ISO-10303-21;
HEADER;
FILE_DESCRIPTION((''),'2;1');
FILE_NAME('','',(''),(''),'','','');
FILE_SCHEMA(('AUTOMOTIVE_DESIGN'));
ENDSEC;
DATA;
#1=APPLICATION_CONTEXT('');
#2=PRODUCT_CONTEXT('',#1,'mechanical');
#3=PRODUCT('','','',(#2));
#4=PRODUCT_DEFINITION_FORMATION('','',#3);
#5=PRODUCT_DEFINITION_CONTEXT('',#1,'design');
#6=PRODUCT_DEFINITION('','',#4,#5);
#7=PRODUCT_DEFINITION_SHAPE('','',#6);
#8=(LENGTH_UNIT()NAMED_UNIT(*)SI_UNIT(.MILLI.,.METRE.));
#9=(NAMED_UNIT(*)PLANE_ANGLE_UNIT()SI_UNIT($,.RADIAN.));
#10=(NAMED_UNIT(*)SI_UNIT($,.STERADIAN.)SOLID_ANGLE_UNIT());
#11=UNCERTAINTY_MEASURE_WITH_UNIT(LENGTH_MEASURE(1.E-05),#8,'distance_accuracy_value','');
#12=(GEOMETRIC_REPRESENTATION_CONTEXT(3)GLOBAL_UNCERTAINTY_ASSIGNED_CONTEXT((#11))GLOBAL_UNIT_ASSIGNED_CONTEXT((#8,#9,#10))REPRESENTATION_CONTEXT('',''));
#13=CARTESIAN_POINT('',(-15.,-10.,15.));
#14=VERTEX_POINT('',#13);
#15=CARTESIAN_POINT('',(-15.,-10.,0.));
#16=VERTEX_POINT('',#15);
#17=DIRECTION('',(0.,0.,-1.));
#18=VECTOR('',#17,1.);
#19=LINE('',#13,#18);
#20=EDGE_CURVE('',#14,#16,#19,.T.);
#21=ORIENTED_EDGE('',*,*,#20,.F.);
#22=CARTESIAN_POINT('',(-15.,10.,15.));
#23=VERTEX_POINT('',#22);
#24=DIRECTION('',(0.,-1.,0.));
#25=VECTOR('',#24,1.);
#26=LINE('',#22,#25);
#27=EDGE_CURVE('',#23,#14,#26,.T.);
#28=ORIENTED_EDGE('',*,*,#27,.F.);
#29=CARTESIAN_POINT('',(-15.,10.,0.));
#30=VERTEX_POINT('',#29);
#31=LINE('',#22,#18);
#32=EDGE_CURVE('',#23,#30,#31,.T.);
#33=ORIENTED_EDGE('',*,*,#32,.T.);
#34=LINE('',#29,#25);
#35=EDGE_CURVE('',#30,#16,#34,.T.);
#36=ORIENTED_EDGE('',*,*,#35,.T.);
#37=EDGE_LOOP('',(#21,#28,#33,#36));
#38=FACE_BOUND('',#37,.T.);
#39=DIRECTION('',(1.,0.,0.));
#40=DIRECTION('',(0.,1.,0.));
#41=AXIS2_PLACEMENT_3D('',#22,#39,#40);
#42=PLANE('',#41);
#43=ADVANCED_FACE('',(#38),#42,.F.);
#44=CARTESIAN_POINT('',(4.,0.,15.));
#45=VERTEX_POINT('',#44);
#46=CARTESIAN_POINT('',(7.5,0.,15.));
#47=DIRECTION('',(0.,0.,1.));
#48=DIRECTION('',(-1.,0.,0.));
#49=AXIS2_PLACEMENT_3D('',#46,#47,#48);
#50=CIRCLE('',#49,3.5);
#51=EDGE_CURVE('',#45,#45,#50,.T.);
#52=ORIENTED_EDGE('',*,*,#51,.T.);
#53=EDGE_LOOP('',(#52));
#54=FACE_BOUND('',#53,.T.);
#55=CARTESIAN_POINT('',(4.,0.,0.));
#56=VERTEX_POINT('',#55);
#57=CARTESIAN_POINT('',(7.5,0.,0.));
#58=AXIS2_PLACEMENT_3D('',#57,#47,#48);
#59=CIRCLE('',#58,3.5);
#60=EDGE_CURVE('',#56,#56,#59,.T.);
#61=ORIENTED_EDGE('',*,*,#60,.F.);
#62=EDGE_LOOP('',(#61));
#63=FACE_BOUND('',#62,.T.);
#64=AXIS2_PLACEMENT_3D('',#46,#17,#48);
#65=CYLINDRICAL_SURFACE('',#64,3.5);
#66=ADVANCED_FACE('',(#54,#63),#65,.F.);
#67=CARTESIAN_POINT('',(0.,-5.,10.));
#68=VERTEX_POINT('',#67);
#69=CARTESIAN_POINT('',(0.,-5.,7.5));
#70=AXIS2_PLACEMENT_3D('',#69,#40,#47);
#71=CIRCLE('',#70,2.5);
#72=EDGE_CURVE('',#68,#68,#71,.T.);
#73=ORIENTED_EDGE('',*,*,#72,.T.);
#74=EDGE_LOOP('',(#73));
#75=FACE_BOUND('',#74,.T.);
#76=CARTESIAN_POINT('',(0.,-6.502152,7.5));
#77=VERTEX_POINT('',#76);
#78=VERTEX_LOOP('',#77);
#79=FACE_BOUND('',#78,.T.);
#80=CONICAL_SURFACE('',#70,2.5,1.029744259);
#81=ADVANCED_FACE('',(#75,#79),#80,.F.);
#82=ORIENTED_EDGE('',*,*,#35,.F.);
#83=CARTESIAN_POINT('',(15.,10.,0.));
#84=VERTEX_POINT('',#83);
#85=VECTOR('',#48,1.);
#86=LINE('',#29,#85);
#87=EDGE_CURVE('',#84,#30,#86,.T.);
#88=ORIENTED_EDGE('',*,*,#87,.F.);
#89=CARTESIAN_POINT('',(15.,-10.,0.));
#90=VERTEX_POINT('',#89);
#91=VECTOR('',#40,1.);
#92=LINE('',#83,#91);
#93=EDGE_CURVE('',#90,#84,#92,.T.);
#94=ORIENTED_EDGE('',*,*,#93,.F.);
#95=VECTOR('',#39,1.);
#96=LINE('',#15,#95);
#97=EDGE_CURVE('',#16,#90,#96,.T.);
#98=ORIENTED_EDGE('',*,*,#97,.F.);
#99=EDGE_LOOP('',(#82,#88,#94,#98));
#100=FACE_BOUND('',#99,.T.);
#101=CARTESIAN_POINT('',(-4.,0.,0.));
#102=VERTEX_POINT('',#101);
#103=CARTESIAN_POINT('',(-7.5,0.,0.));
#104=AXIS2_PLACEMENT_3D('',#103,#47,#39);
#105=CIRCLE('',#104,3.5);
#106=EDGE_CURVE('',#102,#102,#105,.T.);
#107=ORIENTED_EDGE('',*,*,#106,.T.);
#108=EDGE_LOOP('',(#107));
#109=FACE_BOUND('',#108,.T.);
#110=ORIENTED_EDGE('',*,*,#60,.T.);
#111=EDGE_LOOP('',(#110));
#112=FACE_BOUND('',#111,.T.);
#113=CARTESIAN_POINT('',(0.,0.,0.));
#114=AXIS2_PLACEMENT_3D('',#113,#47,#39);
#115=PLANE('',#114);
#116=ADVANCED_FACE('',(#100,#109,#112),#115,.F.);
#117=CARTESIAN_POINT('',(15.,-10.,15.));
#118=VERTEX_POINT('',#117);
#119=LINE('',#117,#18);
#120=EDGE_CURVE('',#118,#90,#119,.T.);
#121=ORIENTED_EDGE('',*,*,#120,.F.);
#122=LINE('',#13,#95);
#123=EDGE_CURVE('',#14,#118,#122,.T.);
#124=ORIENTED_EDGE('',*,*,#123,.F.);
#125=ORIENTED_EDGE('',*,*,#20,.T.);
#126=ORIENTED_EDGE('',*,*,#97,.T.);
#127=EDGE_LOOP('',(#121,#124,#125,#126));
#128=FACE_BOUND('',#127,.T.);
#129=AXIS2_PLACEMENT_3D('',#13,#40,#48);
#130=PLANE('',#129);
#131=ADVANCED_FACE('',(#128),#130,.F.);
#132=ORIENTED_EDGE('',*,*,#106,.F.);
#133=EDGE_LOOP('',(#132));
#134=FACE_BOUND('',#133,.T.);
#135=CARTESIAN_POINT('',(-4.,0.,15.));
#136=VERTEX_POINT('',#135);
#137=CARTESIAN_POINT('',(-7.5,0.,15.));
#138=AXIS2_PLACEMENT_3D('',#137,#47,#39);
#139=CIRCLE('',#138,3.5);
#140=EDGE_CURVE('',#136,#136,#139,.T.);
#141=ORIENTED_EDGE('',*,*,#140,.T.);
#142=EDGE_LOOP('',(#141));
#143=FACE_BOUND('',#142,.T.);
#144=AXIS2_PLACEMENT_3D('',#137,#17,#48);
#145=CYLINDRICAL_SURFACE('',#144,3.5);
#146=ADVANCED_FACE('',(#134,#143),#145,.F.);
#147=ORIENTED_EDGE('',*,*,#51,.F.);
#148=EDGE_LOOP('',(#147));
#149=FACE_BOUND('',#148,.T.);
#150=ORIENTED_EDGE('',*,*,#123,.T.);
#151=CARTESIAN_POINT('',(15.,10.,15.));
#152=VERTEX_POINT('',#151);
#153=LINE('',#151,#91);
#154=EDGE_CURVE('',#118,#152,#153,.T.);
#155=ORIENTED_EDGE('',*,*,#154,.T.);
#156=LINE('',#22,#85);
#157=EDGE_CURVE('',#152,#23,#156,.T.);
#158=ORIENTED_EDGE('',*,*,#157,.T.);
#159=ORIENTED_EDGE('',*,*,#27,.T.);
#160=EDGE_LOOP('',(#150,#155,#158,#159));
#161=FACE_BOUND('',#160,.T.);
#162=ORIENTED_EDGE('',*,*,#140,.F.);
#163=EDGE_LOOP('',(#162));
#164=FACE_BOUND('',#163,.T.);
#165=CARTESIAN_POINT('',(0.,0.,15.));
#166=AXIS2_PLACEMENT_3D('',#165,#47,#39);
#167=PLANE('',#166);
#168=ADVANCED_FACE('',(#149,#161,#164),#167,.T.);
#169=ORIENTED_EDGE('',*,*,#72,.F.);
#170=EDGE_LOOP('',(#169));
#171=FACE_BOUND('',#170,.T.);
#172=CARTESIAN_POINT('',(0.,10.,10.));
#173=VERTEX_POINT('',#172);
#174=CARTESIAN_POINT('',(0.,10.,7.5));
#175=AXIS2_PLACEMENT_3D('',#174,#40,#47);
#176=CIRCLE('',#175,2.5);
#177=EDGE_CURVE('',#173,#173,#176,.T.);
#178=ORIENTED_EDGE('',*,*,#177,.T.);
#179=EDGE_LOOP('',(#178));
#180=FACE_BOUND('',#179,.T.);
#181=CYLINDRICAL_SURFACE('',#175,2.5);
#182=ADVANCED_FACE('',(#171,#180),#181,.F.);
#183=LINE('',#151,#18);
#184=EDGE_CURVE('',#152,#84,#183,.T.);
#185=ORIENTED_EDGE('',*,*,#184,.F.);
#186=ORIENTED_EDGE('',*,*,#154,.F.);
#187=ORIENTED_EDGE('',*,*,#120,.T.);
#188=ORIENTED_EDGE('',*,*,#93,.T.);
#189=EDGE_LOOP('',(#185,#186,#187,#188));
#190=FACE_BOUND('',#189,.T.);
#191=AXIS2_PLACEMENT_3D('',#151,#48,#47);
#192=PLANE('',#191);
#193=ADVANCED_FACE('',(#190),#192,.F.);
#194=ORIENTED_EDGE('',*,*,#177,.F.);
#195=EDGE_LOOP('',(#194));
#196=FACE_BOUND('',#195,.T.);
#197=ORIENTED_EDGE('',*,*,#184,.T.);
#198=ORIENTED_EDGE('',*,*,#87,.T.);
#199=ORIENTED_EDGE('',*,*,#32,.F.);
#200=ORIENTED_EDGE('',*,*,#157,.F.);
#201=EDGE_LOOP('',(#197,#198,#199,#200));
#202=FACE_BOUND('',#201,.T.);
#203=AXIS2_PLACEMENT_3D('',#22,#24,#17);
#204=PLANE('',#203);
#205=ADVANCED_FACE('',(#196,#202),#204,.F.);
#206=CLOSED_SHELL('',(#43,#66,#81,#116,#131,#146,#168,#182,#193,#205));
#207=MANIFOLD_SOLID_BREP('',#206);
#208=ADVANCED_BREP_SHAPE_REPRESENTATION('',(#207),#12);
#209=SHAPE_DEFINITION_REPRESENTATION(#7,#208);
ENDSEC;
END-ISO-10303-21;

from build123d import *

# Parameters (mm, degrees)
SKETCH_1_W             = 30
SKETCH_1_H             = 20
SKETCH_1_R             = 3.5
EXTRUDE_1_DEPTH        = 15
HOLE_WIZARD_M6_1_D     = 5
HOLE_WIZARD_M6_1_DEPTH = 15
HOLE_WIZARD_M6_1_TIP   = 1.502151548


with BuildPart() as part:
    # 草图1 → 凸台-拉伸1 (new body)
    with BuildSketch(Plane.XY):
        Rectangle(SKETCH_1_W, SKETCH_1_H)
        with Locations((-7.5, 0)):
            Circle(SKETCH_1_R, mode=Mode.SUBTRACT)
        with Locations((7.5, 0)):
            Circle(SKETCH_1_R, mode=Mode.SUBTRACT)
    extrude(amount=EXTRUDE_1_DEPTH)

    # M6 螺纹孔1
    with Locations(Plane(origin=(0, 10, 7.5), x_dir=(0, 0, 1), z_dir=(0, 1, 0))):
        with Locations((0, 0)):
            Hole(HOLE_WIZARD_M6_1_D / 2, depth=HOLE_WIZARD_M6_1_DEPTH)
            with Locations((0, 0, -(HOLE_WIZARD_M6_1_DEPTH + HOLE_WIZARD_M6_1_TIP / 2))):  # 118° drill point
                Cone(0, HOLE_WIZARD_M6_1_D / 2, HOLE_WIZARD_M6_1_TIP, mode=Mode.SUBTRACT)


solid = part.part
